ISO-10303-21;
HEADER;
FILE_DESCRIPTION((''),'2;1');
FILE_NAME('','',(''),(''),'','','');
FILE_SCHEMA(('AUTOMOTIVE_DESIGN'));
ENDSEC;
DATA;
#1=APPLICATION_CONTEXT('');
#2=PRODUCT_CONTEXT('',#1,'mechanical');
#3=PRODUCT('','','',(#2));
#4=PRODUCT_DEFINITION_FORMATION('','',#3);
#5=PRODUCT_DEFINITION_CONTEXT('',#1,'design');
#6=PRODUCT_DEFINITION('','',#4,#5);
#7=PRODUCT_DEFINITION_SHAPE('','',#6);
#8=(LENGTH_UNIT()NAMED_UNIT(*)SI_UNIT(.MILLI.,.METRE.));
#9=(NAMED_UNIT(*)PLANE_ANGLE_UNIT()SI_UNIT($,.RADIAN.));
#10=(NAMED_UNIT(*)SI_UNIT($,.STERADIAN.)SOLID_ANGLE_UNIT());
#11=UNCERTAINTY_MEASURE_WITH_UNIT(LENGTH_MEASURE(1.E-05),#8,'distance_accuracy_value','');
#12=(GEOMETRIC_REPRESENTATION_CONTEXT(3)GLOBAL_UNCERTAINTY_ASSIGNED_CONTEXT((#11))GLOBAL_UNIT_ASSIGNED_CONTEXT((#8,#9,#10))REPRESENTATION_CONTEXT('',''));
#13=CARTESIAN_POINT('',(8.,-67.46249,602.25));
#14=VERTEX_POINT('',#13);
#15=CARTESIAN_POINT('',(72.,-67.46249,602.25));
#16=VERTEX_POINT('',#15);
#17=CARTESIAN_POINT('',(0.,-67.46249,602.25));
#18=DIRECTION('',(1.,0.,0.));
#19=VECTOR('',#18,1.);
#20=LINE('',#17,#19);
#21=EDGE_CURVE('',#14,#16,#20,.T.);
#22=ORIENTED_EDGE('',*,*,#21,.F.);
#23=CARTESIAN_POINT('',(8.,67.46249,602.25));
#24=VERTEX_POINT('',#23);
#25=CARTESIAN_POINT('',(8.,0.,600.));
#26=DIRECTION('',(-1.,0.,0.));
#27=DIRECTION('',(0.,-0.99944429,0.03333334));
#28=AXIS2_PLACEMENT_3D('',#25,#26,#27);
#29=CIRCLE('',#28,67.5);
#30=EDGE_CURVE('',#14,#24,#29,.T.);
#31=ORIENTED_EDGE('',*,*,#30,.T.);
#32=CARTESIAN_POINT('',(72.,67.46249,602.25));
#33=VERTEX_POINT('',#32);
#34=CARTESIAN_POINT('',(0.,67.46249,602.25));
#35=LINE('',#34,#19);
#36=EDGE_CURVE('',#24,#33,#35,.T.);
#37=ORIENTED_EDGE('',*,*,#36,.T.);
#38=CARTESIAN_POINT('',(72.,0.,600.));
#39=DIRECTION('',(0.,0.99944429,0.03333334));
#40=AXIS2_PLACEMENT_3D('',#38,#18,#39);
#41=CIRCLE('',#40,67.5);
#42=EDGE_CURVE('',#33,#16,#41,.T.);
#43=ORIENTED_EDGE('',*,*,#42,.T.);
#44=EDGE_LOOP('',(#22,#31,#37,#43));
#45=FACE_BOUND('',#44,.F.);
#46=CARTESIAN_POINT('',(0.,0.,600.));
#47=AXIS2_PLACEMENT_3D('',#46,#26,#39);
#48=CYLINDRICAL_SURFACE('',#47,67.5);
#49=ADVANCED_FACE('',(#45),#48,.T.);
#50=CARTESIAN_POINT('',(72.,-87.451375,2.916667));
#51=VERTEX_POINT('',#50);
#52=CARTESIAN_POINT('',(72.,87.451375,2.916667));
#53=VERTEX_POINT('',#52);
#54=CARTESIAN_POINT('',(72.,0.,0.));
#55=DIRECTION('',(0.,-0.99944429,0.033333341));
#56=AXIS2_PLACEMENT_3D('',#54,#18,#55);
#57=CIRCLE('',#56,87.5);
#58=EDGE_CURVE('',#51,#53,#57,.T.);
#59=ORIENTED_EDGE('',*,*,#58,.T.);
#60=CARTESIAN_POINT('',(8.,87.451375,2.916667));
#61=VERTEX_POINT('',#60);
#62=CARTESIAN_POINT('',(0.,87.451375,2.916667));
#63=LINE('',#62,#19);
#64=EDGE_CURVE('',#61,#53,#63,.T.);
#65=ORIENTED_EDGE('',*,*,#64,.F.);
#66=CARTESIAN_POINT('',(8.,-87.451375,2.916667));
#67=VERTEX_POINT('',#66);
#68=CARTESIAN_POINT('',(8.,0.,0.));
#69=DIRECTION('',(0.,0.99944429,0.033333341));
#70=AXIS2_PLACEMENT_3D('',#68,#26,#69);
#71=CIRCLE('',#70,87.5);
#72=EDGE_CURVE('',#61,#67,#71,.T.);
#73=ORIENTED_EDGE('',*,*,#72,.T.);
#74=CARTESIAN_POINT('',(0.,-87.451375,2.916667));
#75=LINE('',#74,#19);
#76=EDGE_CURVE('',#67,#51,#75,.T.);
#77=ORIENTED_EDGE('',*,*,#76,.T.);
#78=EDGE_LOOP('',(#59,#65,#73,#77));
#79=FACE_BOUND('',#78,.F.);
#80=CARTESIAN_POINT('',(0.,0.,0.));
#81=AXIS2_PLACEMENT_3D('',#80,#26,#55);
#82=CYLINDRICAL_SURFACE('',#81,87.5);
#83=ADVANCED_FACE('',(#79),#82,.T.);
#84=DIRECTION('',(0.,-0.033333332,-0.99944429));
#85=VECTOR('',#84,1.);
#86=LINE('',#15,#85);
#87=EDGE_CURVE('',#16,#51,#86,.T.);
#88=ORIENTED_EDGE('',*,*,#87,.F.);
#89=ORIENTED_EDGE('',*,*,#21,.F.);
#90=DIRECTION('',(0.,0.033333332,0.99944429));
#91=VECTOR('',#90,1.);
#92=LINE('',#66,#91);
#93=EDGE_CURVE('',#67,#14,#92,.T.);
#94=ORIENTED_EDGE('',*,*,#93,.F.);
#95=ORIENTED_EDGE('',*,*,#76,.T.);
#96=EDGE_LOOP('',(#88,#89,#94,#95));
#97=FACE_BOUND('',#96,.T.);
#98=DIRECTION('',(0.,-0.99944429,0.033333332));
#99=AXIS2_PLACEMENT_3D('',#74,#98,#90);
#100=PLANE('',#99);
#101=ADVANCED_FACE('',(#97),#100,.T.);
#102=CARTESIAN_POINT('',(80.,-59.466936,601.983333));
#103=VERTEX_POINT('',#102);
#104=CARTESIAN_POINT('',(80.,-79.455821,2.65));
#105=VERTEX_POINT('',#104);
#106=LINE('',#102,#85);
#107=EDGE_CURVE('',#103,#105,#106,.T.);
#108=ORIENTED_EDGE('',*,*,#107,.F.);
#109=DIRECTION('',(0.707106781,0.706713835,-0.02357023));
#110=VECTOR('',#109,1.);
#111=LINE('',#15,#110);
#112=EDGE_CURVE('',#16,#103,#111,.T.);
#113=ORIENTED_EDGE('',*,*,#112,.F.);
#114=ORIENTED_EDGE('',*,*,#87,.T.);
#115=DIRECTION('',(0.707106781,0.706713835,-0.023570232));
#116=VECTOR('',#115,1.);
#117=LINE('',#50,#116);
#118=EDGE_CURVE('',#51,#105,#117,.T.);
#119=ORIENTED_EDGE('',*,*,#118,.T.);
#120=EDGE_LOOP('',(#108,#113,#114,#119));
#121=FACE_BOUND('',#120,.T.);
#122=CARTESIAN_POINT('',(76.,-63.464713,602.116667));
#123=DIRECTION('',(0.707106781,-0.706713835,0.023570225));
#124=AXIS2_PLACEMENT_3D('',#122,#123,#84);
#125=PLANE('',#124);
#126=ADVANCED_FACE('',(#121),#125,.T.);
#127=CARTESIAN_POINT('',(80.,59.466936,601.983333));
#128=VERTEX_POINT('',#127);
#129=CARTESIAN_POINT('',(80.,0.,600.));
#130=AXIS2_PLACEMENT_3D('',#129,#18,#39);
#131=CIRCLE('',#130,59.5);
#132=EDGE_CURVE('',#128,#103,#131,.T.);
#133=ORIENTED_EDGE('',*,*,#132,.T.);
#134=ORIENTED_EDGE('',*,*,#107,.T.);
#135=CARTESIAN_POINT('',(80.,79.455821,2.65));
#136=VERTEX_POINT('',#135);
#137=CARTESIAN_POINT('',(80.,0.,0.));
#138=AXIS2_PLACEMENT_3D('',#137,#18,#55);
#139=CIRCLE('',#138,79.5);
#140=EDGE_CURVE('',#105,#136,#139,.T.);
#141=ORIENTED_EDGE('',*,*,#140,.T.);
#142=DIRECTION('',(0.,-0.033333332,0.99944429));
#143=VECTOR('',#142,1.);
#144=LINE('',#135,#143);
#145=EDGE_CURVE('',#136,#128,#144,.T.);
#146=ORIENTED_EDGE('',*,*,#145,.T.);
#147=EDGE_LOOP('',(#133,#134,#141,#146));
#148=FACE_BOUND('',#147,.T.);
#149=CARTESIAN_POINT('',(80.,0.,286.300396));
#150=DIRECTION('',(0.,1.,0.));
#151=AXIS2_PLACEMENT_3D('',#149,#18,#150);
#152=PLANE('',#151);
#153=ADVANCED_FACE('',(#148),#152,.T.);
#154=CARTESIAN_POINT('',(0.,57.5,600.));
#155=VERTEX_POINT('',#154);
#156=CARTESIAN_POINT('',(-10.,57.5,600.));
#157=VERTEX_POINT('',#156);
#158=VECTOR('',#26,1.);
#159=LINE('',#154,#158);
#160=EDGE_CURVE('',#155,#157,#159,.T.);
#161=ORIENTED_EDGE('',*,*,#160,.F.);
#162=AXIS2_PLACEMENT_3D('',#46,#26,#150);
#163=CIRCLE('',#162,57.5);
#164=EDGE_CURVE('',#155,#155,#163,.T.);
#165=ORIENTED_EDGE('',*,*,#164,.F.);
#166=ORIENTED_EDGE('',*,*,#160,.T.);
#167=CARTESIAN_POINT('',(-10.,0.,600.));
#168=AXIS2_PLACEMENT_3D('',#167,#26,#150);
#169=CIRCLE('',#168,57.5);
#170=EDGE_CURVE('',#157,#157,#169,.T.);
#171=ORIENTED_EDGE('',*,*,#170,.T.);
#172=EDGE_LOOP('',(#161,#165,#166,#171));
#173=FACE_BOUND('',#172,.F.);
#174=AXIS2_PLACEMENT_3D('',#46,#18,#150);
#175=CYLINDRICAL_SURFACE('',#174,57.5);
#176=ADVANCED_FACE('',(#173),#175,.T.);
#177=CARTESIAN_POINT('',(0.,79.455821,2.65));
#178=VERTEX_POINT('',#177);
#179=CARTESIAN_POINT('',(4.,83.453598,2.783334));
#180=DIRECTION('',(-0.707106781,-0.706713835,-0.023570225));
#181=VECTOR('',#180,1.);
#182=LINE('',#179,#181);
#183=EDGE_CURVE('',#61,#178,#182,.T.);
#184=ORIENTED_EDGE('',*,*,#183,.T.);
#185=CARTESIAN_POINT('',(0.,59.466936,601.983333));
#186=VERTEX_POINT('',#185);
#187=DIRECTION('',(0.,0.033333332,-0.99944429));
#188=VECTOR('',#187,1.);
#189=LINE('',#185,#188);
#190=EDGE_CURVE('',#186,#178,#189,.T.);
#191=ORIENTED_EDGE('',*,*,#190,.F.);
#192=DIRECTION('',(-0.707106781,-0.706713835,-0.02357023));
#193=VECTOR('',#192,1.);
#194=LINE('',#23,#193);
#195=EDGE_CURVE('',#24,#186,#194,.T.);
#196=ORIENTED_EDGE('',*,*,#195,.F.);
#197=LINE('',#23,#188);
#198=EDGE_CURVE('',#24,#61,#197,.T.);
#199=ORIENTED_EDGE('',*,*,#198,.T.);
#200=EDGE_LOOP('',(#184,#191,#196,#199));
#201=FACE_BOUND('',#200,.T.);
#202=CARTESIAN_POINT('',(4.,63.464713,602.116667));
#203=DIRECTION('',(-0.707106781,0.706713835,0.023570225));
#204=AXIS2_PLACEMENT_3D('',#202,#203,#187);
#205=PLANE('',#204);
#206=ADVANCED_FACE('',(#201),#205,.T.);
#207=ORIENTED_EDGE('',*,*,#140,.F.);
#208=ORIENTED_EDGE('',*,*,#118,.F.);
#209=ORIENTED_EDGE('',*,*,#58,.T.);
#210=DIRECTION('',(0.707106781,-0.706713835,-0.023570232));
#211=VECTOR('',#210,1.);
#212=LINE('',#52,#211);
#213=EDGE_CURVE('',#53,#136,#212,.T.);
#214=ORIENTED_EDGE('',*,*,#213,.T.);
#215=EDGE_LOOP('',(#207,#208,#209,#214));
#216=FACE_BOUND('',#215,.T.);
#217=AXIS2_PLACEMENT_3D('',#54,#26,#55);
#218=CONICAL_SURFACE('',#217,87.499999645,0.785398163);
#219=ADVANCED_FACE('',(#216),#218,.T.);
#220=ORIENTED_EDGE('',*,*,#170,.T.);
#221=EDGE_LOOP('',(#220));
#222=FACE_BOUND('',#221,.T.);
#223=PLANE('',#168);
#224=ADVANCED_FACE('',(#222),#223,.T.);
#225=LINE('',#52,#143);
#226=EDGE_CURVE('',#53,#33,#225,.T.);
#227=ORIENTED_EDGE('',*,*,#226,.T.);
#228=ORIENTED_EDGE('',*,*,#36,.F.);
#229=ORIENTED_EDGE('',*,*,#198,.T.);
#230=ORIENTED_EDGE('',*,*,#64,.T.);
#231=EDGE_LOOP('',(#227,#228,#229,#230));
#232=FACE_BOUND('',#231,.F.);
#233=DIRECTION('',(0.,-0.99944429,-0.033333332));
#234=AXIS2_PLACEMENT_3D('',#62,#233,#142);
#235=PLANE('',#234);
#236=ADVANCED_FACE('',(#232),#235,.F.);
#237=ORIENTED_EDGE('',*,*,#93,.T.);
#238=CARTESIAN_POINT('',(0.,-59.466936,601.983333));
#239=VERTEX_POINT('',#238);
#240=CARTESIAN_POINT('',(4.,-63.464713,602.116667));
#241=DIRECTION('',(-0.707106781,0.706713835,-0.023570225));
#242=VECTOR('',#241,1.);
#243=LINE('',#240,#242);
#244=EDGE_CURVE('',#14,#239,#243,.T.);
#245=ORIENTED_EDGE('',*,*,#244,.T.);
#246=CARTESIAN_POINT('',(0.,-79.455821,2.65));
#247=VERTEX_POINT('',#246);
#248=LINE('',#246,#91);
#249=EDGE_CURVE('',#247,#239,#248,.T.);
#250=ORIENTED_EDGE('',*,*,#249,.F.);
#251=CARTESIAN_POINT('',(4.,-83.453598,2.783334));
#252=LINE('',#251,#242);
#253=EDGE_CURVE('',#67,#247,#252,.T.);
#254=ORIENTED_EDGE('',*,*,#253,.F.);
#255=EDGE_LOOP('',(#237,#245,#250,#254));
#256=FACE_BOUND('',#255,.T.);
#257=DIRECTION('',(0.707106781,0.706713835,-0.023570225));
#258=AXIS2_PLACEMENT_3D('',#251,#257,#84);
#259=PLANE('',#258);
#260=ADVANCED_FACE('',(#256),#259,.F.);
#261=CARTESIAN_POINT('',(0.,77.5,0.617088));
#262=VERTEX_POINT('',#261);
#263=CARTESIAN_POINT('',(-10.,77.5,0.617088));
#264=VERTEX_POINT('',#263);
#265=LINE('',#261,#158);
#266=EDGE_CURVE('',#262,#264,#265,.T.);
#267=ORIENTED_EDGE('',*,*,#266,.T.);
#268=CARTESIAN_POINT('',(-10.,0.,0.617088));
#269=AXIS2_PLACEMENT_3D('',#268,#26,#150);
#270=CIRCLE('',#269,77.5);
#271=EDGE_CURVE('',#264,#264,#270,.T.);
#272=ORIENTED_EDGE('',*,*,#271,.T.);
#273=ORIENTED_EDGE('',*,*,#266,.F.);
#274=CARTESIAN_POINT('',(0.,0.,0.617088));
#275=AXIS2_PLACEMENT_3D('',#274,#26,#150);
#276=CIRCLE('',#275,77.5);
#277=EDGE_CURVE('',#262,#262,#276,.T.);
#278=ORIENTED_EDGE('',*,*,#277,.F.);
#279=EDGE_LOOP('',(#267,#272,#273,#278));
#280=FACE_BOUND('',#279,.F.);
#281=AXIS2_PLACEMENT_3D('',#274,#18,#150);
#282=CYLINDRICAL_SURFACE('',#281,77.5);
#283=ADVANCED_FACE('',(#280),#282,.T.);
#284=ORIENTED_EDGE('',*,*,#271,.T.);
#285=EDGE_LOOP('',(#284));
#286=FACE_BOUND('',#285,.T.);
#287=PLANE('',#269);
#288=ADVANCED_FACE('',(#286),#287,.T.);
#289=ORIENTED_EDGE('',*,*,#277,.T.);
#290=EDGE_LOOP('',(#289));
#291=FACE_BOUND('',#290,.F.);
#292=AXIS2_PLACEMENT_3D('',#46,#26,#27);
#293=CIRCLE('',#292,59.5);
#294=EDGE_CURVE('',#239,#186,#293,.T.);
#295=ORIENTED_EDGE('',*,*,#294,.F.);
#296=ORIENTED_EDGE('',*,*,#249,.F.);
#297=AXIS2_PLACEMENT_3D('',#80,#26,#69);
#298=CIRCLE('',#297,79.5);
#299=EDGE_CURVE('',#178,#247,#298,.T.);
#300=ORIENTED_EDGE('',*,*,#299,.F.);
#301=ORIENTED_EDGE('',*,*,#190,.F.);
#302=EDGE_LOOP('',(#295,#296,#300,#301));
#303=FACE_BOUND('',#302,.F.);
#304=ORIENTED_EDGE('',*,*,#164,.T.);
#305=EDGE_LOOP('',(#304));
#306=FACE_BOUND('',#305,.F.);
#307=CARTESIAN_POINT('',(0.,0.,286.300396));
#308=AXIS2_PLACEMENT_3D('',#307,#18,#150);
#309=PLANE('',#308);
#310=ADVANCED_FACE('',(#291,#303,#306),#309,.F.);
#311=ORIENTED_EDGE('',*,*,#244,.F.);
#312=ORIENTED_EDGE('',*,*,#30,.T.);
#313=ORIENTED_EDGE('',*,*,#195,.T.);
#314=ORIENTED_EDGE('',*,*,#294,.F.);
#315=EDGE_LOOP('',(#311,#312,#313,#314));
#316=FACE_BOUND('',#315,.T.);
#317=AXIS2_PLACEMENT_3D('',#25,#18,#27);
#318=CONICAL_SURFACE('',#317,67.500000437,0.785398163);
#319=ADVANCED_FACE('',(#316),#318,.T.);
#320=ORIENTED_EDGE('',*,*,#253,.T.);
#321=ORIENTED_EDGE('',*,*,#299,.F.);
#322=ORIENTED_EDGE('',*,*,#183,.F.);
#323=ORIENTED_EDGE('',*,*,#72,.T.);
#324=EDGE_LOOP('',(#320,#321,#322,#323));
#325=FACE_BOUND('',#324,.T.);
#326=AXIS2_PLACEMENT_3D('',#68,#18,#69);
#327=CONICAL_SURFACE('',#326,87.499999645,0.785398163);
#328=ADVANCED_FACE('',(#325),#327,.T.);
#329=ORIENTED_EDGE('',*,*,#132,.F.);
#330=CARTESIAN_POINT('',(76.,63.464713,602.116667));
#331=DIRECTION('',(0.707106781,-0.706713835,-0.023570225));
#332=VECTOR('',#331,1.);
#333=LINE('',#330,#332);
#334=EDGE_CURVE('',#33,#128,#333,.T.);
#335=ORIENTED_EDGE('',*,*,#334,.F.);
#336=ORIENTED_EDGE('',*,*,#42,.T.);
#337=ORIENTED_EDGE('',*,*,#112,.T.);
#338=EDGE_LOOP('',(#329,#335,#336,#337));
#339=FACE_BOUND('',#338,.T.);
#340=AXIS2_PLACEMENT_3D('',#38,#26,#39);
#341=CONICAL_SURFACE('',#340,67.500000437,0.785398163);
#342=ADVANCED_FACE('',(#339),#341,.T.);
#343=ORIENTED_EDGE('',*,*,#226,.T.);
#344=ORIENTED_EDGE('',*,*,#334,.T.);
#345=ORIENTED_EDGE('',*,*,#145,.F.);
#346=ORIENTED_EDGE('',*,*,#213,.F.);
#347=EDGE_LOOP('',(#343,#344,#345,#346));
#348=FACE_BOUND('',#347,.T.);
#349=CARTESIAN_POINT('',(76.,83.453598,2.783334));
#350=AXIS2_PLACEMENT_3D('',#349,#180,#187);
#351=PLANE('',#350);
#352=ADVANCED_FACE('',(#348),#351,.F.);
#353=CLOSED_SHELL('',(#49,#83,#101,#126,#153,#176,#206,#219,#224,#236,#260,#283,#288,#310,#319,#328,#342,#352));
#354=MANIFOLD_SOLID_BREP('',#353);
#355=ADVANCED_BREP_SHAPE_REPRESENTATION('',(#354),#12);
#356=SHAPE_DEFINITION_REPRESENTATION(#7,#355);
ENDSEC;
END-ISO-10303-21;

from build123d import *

# Parameters (mm, degrees)
PAD_DEPTH     = 80
SKETCH001_R   = 57.5
SKETCH001_R_2 = 77.5
PAD001_DEPTH  = 10
CHAMFER_SIZE  = 8


with BuildPart() as part:
    # Sketch → Pad (new body)
    with BuildSketch(Plane.YZ):
        with BuildLine():
            ThreePointArc((-87.451375, 2.916667), (0, -87.5), (87.451375, 2.916667))
            Line((87.451375, 2.916667), (67.46249, 602.25))
            ThreePointArc((67.46249, 602.25), (0, 667.5), (-67.46249, 602.25))
            Line((-87.451375, 2.916667), (-67.46249, 602.25))
        make_face()
    extrude(amount=PAD_DEPTH)

    # Sketch001 (on Face5 of Pad) → Pad001 (join)
    with BuildSketch(Plane(origin=(0, 0, 0), x_dir=(0, 1, 0), z_dir=(-1, 0, 0))):
        with Locations((0, -600)):
            Circle(SKETCH001_R)
        with Locations((0, -0.617088)):
            Circle(SKETCH001_R_2)
    extrude(amount=PAD001_DEPTH)

    # Chamfer
    chamfer_edges = [part.edges().sort_by_distance(p)[0] for p in [
        (0, -77.456932, 302.583333),
        (80, 0, -87.5),
        (80, 77.456932, 302.583333),
        (80, 0, 667.5),
        (80, -77.456932, 302.583333),
    ]]
    chamfer(chamfer_edges, length=CHAMFER_SIZE)


solid = part.part
